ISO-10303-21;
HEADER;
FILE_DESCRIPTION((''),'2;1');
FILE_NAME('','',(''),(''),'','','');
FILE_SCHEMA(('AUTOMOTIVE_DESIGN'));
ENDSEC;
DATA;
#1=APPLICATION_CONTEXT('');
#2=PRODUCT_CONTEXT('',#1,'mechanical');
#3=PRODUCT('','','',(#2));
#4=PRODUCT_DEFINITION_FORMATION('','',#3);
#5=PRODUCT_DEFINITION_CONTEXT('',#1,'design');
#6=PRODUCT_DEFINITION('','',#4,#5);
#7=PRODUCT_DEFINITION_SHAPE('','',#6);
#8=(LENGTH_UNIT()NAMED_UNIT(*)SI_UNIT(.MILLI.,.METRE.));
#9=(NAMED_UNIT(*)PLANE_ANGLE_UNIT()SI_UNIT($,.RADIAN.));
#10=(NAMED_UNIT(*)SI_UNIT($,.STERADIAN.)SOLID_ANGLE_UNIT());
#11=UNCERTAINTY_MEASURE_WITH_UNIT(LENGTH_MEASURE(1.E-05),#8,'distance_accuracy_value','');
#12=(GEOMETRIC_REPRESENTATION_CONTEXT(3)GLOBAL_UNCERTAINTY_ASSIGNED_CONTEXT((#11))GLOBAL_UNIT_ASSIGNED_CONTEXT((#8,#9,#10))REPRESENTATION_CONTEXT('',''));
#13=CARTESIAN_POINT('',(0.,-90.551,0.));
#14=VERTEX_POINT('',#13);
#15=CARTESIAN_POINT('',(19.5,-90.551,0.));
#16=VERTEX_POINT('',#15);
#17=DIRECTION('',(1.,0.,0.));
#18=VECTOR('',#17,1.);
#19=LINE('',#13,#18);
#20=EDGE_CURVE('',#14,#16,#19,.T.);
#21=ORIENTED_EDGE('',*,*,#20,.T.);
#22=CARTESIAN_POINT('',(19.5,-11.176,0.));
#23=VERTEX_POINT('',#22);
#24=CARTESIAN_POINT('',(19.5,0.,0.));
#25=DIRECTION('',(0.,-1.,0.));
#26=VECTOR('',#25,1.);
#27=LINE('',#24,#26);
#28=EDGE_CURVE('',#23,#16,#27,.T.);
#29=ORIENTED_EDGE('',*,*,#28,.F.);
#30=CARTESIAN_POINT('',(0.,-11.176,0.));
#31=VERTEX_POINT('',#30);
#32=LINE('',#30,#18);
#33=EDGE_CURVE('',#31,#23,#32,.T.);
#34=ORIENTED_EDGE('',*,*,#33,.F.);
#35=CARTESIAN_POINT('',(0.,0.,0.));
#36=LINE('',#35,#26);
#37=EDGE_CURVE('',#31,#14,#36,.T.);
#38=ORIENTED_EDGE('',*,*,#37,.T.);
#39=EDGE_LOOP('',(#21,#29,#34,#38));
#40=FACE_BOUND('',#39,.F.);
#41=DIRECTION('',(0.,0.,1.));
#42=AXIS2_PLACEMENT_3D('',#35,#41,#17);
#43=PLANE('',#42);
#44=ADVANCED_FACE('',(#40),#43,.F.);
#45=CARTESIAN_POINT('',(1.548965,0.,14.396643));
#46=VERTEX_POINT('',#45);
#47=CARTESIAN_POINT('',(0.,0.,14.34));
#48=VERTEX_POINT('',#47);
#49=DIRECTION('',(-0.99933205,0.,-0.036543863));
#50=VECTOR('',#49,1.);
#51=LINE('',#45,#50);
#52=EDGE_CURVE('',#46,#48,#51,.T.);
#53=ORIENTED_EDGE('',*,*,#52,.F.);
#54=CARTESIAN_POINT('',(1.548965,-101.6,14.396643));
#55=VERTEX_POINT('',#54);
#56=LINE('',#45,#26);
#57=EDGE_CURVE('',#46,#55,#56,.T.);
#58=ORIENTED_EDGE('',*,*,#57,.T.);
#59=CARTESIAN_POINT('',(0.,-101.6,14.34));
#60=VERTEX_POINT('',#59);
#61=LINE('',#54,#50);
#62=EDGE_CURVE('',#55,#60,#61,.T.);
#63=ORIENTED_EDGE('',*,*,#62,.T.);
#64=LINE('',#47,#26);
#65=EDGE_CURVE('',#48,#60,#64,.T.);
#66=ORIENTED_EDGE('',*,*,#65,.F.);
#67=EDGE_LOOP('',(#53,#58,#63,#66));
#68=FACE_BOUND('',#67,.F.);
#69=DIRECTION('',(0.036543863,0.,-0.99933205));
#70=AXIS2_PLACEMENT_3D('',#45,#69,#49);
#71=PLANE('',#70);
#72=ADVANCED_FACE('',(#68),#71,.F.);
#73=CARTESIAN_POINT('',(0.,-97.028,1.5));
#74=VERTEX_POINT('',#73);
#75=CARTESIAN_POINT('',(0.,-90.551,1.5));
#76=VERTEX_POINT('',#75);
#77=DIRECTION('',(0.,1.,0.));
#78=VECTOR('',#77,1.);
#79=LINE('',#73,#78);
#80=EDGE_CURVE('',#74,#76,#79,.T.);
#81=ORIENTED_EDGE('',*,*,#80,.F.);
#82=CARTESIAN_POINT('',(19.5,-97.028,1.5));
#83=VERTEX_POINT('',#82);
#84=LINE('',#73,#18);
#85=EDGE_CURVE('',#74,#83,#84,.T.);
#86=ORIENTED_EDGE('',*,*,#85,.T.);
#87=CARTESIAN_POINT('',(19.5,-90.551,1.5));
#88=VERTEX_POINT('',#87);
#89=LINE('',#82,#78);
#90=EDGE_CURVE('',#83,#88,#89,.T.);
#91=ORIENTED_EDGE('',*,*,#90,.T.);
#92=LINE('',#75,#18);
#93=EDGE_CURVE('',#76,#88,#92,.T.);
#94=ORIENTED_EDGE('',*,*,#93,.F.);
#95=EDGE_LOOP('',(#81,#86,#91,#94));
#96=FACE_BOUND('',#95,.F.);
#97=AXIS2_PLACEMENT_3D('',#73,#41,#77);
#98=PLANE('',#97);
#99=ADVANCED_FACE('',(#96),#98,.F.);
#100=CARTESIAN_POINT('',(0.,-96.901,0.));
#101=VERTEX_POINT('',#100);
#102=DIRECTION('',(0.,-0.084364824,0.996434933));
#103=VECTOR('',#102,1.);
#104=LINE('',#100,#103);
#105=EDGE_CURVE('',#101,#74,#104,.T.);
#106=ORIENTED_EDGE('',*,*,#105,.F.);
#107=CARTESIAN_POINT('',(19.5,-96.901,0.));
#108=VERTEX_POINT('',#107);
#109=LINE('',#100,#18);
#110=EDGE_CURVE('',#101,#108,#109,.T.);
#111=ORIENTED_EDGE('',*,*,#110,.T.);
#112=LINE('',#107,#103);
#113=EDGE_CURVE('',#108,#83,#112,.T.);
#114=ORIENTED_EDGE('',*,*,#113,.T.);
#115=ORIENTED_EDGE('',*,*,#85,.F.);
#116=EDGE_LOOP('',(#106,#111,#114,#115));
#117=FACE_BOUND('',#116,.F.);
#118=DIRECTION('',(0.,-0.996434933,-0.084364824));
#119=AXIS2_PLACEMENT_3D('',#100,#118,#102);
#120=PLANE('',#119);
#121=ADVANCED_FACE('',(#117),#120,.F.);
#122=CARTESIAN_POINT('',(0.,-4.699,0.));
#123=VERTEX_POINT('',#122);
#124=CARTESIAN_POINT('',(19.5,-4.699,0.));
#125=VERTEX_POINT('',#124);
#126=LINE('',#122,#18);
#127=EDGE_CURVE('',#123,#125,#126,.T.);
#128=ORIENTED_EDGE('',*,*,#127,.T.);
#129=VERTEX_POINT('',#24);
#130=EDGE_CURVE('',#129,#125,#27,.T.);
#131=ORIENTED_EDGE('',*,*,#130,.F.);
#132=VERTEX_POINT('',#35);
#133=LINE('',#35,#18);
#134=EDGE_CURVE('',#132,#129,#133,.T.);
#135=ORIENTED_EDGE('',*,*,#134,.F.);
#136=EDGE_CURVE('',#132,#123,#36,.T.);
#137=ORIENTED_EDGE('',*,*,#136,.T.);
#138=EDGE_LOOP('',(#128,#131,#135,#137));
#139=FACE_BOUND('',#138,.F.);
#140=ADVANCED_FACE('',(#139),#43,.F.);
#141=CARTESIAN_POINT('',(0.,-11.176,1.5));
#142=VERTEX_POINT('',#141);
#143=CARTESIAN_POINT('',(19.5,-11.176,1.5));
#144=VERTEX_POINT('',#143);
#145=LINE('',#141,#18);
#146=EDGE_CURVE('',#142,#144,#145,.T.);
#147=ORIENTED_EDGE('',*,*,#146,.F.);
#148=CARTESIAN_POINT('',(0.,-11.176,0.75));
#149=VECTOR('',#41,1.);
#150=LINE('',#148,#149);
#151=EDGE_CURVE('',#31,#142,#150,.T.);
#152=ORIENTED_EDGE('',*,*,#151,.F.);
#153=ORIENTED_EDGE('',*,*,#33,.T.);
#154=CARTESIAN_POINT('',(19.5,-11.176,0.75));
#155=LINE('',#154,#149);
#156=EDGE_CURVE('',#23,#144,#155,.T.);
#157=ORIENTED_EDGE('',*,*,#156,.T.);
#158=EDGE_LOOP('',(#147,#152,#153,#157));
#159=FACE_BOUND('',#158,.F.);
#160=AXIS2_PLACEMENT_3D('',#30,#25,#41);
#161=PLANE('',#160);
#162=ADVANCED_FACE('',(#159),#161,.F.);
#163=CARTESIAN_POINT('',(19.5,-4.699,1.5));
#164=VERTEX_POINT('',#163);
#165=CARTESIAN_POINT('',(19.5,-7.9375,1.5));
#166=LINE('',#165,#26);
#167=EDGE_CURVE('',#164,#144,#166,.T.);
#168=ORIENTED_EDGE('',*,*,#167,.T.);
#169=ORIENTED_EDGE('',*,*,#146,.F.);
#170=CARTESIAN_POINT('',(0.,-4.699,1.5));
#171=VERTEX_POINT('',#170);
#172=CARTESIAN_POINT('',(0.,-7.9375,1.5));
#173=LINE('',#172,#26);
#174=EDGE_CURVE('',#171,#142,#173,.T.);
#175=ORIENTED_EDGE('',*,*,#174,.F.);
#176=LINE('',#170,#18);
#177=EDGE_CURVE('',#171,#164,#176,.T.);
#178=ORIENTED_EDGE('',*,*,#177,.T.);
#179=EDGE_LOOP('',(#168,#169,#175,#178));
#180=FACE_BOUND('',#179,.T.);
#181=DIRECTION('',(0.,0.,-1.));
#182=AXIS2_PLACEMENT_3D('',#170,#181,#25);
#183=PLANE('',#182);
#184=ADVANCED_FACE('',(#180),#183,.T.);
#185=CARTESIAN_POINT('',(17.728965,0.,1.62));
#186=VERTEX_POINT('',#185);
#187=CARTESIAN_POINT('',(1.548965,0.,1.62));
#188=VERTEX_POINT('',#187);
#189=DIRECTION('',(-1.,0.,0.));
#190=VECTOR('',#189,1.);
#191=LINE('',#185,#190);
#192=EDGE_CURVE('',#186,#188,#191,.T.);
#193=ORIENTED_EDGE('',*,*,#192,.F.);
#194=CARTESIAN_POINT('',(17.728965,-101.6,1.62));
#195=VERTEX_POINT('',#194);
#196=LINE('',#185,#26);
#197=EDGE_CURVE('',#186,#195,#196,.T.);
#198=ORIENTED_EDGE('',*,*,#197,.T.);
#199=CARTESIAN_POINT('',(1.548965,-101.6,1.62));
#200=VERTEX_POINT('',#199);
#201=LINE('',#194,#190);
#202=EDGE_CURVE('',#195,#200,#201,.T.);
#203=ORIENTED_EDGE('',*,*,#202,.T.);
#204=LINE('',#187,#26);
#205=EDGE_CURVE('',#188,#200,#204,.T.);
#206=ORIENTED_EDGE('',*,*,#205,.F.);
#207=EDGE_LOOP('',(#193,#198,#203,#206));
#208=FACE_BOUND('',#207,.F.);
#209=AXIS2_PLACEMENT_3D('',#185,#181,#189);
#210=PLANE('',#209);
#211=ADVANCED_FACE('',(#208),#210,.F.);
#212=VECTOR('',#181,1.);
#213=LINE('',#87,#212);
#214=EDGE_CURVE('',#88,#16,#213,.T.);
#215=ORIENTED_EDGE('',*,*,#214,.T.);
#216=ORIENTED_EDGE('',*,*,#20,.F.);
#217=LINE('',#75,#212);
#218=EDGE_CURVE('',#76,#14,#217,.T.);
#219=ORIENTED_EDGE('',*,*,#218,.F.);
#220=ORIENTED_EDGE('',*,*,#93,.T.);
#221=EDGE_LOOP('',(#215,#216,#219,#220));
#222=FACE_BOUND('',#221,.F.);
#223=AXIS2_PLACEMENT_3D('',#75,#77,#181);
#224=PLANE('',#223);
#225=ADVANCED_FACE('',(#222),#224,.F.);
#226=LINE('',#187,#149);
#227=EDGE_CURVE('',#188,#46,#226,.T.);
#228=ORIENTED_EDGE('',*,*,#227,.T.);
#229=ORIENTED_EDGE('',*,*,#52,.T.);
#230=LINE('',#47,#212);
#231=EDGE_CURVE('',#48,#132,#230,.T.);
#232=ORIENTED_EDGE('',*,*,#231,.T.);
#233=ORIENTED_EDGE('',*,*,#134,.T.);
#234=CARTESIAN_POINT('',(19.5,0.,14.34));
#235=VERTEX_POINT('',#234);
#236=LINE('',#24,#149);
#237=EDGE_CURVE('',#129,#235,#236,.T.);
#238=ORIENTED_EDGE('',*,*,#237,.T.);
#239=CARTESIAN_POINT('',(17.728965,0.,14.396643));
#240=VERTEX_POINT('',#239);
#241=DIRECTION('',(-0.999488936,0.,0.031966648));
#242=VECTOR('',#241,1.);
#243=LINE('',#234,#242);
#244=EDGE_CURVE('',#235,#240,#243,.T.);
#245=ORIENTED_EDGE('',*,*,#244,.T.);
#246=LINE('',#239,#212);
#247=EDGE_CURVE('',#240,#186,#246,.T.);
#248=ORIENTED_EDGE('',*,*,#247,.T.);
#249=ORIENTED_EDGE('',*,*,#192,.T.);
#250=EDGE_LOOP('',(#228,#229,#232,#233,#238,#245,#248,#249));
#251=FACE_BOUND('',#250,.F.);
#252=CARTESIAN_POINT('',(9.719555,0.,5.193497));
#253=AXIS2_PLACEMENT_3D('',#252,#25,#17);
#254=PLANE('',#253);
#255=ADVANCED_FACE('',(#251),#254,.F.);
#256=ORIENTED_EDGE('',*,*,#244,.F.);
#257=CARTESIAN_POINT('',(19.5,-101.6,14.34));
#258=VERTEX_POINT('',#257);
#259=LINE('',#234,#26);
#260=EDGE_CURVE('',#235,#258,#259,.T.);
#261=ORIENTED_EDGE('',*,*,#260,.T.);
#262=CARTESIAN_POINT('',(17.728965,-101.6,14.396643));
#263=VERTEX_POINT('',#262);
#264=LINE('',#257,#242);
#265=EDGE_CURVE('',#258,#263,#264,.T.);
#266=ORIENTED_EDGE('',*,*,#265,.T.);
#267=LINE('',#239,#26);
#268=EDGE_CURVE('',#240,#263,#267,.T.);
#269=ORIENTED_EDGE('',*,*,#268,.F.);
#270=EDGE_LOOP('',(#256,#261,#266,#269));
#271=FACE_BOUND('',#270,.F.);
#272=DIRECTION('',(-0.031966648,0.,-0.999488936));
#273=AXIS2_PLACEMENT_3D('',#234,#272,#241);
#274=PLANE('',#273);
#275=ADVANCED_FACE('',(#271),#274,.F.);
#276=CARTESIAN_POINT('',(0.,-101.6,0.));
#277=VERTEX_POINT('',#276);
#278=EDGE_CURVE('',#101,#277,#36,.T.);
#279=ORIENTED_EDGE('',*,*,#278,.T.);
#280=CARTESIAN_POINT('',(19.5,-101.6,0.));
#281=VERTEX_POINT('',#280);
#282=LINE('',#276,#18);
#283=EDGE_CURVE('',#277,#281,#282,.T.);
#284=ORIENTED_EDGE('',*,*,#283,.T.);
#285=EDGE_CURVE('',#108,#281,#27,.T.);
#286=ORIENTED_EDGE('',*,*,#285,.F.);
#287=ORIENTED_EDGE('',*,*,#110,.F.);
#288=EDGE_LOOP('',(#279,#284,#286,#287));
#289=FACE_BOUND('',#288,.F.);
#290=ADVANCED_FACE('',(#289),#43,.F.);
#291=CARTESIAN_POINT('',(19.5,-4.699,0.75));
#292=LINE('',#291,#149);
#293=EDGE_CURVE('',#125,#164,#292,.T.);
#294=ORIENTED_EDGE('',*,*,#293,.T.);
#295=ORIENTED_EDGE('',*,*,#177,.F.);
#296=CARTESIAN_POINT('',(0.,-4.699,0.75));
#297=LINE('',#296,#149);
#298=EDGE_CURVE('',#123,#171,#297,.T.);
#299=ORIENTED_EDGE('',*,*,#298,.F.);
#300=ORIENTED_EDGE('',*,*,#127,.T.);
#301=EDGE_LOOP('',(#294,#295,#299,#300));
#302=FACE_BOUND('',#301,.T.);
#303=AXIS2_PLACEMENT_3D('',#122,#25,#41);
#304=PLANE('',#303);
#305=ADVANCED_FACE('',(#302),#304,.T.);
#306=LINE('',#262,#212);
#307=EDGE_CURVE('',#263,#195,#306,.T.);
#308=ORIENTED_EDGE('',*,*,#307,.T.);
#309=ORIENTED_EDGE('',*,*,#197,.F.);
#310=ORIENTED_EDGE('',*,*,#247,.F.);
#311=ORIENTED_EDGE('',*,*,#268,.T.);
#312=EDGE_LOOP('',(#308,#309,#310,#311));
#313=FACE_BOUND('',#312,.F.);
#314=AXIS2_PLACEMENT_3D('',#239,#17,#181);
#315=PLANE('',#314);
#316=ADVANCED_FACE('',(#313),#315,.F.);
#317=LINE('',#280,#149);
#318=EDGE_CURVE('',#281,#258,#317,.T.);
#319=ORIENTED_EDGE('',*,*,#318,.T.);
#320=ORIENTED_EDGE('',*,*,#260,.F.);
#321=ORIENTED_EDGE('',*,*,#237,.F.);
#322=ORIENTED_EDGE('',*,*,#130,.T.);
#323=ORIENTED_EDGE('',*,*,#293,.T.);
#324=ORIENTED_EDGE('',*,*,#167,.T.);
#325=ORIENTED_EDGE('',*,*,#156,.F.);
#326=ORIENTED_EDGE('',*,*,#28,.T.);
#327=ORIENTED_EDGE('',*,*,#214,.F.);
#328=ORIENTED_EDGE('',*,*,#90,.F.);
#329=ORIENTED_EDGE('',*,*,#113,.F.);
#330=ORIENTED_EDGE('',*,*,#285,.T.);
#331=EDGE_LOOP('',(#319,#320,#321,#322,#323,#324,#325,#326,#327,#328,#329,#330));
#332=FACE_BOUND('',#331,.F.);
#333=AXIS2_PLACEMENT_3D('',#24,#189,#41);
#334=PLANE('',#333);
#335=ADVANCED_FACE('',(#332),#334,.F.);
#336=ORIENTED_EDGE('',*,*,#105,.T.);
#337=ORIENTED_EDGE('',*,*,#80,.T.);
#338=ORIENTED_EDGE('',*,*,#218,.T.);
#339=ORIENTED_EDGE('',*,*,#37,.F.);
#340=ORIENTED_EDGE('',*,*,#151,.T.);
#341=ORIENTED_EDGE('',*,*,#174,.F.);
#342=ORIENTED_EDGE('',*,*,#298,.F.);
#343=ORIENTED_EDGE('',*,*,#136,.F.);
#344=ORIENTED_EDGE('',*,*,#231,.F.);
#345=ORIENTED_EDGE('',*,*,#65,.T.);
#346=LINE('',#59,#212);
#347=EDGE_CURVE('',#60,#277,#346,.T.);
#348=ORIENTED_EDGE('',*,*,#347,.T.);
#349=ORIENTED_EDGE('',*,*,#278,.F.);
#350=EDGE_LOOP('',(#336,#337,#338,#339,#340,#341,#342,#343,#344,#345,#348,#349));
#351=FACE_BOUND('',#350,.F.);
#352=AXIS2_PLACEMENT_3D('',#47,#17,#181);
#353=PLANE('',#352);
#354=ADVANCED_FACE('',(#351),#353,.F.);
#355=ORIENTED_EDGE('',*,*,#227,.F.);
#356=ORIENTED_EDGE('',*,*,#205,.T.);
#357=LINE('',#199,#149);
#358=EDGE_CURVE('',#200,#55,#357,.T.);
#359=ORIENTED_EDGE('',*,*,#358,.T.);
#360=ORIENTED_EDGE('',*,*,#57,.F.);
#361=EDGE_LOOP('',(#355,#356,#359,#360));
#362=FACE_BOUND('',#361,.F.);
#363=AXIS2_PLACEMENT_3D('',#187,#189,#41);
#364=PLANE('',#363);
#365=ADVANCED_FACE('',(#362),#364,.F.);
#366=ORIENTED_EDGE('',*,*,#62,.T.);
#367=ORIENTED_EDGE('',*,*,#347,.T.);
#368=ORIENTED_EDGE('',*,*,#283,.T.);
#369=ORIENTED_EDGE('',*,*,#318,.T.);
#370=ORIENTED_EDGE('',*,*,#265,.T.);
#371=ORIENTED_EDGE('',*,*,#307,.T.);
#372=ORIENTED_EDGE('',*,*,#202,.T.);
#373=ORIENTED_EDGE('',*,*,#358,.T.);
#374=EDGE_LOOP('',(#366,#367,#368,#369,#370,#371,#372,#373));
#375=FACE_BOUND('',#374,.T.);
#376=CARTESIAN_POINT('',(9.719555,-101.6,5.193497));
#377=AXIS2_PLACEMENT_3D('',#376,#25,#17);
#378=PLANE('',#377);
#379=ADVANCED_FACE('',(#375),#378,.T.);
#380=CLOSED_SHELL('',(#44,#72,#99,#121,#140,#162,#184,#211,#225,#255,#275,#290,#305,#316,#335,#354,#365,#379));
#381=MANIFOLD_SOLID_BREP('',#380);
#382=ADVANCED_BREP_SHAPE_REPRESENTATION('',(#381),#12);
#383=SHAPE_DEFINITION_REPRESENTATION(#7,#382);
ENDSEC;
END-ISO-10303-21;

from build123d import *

# Parameters (mm, degrees)
F1_DEPTH = 101.6
F2_W     = 6.477
F2_H     = 1.5
F3_DEPTH = 19.5


with BuildPart() as f1:
    # F0 (on Front) → F1 (new body)
    with BuildSketch(Plane.XZ):
        Polygon((0, 14.34), (0, 0), (19.5, 0), (19.5, 14.34), (17.728965, 14.396643), (17.728965, 1.62), (1.548965, 1.62), (1.548965, 14.396643), align=None)
    extrude(amount=F1_DEPTH)

    # F2 (on face) → F3 (cut, through all)
    with BuildSketch(Plane(origin=(0, 0, 0), x_dir=(0, -1, 0), z_dir=(-1, 0, 0))):
        with Locations((7.9375, 0.75)):
            Rectangle(F2_W, F2_H)
        Polygon((90.551, 1.5), (90.551, 0), (96.901, 0), (97.028, 1.5), align=None)
    extrude(amount=-F3_DEPTH, mode=Mode.SUBTRACT)


solid = f1.part
